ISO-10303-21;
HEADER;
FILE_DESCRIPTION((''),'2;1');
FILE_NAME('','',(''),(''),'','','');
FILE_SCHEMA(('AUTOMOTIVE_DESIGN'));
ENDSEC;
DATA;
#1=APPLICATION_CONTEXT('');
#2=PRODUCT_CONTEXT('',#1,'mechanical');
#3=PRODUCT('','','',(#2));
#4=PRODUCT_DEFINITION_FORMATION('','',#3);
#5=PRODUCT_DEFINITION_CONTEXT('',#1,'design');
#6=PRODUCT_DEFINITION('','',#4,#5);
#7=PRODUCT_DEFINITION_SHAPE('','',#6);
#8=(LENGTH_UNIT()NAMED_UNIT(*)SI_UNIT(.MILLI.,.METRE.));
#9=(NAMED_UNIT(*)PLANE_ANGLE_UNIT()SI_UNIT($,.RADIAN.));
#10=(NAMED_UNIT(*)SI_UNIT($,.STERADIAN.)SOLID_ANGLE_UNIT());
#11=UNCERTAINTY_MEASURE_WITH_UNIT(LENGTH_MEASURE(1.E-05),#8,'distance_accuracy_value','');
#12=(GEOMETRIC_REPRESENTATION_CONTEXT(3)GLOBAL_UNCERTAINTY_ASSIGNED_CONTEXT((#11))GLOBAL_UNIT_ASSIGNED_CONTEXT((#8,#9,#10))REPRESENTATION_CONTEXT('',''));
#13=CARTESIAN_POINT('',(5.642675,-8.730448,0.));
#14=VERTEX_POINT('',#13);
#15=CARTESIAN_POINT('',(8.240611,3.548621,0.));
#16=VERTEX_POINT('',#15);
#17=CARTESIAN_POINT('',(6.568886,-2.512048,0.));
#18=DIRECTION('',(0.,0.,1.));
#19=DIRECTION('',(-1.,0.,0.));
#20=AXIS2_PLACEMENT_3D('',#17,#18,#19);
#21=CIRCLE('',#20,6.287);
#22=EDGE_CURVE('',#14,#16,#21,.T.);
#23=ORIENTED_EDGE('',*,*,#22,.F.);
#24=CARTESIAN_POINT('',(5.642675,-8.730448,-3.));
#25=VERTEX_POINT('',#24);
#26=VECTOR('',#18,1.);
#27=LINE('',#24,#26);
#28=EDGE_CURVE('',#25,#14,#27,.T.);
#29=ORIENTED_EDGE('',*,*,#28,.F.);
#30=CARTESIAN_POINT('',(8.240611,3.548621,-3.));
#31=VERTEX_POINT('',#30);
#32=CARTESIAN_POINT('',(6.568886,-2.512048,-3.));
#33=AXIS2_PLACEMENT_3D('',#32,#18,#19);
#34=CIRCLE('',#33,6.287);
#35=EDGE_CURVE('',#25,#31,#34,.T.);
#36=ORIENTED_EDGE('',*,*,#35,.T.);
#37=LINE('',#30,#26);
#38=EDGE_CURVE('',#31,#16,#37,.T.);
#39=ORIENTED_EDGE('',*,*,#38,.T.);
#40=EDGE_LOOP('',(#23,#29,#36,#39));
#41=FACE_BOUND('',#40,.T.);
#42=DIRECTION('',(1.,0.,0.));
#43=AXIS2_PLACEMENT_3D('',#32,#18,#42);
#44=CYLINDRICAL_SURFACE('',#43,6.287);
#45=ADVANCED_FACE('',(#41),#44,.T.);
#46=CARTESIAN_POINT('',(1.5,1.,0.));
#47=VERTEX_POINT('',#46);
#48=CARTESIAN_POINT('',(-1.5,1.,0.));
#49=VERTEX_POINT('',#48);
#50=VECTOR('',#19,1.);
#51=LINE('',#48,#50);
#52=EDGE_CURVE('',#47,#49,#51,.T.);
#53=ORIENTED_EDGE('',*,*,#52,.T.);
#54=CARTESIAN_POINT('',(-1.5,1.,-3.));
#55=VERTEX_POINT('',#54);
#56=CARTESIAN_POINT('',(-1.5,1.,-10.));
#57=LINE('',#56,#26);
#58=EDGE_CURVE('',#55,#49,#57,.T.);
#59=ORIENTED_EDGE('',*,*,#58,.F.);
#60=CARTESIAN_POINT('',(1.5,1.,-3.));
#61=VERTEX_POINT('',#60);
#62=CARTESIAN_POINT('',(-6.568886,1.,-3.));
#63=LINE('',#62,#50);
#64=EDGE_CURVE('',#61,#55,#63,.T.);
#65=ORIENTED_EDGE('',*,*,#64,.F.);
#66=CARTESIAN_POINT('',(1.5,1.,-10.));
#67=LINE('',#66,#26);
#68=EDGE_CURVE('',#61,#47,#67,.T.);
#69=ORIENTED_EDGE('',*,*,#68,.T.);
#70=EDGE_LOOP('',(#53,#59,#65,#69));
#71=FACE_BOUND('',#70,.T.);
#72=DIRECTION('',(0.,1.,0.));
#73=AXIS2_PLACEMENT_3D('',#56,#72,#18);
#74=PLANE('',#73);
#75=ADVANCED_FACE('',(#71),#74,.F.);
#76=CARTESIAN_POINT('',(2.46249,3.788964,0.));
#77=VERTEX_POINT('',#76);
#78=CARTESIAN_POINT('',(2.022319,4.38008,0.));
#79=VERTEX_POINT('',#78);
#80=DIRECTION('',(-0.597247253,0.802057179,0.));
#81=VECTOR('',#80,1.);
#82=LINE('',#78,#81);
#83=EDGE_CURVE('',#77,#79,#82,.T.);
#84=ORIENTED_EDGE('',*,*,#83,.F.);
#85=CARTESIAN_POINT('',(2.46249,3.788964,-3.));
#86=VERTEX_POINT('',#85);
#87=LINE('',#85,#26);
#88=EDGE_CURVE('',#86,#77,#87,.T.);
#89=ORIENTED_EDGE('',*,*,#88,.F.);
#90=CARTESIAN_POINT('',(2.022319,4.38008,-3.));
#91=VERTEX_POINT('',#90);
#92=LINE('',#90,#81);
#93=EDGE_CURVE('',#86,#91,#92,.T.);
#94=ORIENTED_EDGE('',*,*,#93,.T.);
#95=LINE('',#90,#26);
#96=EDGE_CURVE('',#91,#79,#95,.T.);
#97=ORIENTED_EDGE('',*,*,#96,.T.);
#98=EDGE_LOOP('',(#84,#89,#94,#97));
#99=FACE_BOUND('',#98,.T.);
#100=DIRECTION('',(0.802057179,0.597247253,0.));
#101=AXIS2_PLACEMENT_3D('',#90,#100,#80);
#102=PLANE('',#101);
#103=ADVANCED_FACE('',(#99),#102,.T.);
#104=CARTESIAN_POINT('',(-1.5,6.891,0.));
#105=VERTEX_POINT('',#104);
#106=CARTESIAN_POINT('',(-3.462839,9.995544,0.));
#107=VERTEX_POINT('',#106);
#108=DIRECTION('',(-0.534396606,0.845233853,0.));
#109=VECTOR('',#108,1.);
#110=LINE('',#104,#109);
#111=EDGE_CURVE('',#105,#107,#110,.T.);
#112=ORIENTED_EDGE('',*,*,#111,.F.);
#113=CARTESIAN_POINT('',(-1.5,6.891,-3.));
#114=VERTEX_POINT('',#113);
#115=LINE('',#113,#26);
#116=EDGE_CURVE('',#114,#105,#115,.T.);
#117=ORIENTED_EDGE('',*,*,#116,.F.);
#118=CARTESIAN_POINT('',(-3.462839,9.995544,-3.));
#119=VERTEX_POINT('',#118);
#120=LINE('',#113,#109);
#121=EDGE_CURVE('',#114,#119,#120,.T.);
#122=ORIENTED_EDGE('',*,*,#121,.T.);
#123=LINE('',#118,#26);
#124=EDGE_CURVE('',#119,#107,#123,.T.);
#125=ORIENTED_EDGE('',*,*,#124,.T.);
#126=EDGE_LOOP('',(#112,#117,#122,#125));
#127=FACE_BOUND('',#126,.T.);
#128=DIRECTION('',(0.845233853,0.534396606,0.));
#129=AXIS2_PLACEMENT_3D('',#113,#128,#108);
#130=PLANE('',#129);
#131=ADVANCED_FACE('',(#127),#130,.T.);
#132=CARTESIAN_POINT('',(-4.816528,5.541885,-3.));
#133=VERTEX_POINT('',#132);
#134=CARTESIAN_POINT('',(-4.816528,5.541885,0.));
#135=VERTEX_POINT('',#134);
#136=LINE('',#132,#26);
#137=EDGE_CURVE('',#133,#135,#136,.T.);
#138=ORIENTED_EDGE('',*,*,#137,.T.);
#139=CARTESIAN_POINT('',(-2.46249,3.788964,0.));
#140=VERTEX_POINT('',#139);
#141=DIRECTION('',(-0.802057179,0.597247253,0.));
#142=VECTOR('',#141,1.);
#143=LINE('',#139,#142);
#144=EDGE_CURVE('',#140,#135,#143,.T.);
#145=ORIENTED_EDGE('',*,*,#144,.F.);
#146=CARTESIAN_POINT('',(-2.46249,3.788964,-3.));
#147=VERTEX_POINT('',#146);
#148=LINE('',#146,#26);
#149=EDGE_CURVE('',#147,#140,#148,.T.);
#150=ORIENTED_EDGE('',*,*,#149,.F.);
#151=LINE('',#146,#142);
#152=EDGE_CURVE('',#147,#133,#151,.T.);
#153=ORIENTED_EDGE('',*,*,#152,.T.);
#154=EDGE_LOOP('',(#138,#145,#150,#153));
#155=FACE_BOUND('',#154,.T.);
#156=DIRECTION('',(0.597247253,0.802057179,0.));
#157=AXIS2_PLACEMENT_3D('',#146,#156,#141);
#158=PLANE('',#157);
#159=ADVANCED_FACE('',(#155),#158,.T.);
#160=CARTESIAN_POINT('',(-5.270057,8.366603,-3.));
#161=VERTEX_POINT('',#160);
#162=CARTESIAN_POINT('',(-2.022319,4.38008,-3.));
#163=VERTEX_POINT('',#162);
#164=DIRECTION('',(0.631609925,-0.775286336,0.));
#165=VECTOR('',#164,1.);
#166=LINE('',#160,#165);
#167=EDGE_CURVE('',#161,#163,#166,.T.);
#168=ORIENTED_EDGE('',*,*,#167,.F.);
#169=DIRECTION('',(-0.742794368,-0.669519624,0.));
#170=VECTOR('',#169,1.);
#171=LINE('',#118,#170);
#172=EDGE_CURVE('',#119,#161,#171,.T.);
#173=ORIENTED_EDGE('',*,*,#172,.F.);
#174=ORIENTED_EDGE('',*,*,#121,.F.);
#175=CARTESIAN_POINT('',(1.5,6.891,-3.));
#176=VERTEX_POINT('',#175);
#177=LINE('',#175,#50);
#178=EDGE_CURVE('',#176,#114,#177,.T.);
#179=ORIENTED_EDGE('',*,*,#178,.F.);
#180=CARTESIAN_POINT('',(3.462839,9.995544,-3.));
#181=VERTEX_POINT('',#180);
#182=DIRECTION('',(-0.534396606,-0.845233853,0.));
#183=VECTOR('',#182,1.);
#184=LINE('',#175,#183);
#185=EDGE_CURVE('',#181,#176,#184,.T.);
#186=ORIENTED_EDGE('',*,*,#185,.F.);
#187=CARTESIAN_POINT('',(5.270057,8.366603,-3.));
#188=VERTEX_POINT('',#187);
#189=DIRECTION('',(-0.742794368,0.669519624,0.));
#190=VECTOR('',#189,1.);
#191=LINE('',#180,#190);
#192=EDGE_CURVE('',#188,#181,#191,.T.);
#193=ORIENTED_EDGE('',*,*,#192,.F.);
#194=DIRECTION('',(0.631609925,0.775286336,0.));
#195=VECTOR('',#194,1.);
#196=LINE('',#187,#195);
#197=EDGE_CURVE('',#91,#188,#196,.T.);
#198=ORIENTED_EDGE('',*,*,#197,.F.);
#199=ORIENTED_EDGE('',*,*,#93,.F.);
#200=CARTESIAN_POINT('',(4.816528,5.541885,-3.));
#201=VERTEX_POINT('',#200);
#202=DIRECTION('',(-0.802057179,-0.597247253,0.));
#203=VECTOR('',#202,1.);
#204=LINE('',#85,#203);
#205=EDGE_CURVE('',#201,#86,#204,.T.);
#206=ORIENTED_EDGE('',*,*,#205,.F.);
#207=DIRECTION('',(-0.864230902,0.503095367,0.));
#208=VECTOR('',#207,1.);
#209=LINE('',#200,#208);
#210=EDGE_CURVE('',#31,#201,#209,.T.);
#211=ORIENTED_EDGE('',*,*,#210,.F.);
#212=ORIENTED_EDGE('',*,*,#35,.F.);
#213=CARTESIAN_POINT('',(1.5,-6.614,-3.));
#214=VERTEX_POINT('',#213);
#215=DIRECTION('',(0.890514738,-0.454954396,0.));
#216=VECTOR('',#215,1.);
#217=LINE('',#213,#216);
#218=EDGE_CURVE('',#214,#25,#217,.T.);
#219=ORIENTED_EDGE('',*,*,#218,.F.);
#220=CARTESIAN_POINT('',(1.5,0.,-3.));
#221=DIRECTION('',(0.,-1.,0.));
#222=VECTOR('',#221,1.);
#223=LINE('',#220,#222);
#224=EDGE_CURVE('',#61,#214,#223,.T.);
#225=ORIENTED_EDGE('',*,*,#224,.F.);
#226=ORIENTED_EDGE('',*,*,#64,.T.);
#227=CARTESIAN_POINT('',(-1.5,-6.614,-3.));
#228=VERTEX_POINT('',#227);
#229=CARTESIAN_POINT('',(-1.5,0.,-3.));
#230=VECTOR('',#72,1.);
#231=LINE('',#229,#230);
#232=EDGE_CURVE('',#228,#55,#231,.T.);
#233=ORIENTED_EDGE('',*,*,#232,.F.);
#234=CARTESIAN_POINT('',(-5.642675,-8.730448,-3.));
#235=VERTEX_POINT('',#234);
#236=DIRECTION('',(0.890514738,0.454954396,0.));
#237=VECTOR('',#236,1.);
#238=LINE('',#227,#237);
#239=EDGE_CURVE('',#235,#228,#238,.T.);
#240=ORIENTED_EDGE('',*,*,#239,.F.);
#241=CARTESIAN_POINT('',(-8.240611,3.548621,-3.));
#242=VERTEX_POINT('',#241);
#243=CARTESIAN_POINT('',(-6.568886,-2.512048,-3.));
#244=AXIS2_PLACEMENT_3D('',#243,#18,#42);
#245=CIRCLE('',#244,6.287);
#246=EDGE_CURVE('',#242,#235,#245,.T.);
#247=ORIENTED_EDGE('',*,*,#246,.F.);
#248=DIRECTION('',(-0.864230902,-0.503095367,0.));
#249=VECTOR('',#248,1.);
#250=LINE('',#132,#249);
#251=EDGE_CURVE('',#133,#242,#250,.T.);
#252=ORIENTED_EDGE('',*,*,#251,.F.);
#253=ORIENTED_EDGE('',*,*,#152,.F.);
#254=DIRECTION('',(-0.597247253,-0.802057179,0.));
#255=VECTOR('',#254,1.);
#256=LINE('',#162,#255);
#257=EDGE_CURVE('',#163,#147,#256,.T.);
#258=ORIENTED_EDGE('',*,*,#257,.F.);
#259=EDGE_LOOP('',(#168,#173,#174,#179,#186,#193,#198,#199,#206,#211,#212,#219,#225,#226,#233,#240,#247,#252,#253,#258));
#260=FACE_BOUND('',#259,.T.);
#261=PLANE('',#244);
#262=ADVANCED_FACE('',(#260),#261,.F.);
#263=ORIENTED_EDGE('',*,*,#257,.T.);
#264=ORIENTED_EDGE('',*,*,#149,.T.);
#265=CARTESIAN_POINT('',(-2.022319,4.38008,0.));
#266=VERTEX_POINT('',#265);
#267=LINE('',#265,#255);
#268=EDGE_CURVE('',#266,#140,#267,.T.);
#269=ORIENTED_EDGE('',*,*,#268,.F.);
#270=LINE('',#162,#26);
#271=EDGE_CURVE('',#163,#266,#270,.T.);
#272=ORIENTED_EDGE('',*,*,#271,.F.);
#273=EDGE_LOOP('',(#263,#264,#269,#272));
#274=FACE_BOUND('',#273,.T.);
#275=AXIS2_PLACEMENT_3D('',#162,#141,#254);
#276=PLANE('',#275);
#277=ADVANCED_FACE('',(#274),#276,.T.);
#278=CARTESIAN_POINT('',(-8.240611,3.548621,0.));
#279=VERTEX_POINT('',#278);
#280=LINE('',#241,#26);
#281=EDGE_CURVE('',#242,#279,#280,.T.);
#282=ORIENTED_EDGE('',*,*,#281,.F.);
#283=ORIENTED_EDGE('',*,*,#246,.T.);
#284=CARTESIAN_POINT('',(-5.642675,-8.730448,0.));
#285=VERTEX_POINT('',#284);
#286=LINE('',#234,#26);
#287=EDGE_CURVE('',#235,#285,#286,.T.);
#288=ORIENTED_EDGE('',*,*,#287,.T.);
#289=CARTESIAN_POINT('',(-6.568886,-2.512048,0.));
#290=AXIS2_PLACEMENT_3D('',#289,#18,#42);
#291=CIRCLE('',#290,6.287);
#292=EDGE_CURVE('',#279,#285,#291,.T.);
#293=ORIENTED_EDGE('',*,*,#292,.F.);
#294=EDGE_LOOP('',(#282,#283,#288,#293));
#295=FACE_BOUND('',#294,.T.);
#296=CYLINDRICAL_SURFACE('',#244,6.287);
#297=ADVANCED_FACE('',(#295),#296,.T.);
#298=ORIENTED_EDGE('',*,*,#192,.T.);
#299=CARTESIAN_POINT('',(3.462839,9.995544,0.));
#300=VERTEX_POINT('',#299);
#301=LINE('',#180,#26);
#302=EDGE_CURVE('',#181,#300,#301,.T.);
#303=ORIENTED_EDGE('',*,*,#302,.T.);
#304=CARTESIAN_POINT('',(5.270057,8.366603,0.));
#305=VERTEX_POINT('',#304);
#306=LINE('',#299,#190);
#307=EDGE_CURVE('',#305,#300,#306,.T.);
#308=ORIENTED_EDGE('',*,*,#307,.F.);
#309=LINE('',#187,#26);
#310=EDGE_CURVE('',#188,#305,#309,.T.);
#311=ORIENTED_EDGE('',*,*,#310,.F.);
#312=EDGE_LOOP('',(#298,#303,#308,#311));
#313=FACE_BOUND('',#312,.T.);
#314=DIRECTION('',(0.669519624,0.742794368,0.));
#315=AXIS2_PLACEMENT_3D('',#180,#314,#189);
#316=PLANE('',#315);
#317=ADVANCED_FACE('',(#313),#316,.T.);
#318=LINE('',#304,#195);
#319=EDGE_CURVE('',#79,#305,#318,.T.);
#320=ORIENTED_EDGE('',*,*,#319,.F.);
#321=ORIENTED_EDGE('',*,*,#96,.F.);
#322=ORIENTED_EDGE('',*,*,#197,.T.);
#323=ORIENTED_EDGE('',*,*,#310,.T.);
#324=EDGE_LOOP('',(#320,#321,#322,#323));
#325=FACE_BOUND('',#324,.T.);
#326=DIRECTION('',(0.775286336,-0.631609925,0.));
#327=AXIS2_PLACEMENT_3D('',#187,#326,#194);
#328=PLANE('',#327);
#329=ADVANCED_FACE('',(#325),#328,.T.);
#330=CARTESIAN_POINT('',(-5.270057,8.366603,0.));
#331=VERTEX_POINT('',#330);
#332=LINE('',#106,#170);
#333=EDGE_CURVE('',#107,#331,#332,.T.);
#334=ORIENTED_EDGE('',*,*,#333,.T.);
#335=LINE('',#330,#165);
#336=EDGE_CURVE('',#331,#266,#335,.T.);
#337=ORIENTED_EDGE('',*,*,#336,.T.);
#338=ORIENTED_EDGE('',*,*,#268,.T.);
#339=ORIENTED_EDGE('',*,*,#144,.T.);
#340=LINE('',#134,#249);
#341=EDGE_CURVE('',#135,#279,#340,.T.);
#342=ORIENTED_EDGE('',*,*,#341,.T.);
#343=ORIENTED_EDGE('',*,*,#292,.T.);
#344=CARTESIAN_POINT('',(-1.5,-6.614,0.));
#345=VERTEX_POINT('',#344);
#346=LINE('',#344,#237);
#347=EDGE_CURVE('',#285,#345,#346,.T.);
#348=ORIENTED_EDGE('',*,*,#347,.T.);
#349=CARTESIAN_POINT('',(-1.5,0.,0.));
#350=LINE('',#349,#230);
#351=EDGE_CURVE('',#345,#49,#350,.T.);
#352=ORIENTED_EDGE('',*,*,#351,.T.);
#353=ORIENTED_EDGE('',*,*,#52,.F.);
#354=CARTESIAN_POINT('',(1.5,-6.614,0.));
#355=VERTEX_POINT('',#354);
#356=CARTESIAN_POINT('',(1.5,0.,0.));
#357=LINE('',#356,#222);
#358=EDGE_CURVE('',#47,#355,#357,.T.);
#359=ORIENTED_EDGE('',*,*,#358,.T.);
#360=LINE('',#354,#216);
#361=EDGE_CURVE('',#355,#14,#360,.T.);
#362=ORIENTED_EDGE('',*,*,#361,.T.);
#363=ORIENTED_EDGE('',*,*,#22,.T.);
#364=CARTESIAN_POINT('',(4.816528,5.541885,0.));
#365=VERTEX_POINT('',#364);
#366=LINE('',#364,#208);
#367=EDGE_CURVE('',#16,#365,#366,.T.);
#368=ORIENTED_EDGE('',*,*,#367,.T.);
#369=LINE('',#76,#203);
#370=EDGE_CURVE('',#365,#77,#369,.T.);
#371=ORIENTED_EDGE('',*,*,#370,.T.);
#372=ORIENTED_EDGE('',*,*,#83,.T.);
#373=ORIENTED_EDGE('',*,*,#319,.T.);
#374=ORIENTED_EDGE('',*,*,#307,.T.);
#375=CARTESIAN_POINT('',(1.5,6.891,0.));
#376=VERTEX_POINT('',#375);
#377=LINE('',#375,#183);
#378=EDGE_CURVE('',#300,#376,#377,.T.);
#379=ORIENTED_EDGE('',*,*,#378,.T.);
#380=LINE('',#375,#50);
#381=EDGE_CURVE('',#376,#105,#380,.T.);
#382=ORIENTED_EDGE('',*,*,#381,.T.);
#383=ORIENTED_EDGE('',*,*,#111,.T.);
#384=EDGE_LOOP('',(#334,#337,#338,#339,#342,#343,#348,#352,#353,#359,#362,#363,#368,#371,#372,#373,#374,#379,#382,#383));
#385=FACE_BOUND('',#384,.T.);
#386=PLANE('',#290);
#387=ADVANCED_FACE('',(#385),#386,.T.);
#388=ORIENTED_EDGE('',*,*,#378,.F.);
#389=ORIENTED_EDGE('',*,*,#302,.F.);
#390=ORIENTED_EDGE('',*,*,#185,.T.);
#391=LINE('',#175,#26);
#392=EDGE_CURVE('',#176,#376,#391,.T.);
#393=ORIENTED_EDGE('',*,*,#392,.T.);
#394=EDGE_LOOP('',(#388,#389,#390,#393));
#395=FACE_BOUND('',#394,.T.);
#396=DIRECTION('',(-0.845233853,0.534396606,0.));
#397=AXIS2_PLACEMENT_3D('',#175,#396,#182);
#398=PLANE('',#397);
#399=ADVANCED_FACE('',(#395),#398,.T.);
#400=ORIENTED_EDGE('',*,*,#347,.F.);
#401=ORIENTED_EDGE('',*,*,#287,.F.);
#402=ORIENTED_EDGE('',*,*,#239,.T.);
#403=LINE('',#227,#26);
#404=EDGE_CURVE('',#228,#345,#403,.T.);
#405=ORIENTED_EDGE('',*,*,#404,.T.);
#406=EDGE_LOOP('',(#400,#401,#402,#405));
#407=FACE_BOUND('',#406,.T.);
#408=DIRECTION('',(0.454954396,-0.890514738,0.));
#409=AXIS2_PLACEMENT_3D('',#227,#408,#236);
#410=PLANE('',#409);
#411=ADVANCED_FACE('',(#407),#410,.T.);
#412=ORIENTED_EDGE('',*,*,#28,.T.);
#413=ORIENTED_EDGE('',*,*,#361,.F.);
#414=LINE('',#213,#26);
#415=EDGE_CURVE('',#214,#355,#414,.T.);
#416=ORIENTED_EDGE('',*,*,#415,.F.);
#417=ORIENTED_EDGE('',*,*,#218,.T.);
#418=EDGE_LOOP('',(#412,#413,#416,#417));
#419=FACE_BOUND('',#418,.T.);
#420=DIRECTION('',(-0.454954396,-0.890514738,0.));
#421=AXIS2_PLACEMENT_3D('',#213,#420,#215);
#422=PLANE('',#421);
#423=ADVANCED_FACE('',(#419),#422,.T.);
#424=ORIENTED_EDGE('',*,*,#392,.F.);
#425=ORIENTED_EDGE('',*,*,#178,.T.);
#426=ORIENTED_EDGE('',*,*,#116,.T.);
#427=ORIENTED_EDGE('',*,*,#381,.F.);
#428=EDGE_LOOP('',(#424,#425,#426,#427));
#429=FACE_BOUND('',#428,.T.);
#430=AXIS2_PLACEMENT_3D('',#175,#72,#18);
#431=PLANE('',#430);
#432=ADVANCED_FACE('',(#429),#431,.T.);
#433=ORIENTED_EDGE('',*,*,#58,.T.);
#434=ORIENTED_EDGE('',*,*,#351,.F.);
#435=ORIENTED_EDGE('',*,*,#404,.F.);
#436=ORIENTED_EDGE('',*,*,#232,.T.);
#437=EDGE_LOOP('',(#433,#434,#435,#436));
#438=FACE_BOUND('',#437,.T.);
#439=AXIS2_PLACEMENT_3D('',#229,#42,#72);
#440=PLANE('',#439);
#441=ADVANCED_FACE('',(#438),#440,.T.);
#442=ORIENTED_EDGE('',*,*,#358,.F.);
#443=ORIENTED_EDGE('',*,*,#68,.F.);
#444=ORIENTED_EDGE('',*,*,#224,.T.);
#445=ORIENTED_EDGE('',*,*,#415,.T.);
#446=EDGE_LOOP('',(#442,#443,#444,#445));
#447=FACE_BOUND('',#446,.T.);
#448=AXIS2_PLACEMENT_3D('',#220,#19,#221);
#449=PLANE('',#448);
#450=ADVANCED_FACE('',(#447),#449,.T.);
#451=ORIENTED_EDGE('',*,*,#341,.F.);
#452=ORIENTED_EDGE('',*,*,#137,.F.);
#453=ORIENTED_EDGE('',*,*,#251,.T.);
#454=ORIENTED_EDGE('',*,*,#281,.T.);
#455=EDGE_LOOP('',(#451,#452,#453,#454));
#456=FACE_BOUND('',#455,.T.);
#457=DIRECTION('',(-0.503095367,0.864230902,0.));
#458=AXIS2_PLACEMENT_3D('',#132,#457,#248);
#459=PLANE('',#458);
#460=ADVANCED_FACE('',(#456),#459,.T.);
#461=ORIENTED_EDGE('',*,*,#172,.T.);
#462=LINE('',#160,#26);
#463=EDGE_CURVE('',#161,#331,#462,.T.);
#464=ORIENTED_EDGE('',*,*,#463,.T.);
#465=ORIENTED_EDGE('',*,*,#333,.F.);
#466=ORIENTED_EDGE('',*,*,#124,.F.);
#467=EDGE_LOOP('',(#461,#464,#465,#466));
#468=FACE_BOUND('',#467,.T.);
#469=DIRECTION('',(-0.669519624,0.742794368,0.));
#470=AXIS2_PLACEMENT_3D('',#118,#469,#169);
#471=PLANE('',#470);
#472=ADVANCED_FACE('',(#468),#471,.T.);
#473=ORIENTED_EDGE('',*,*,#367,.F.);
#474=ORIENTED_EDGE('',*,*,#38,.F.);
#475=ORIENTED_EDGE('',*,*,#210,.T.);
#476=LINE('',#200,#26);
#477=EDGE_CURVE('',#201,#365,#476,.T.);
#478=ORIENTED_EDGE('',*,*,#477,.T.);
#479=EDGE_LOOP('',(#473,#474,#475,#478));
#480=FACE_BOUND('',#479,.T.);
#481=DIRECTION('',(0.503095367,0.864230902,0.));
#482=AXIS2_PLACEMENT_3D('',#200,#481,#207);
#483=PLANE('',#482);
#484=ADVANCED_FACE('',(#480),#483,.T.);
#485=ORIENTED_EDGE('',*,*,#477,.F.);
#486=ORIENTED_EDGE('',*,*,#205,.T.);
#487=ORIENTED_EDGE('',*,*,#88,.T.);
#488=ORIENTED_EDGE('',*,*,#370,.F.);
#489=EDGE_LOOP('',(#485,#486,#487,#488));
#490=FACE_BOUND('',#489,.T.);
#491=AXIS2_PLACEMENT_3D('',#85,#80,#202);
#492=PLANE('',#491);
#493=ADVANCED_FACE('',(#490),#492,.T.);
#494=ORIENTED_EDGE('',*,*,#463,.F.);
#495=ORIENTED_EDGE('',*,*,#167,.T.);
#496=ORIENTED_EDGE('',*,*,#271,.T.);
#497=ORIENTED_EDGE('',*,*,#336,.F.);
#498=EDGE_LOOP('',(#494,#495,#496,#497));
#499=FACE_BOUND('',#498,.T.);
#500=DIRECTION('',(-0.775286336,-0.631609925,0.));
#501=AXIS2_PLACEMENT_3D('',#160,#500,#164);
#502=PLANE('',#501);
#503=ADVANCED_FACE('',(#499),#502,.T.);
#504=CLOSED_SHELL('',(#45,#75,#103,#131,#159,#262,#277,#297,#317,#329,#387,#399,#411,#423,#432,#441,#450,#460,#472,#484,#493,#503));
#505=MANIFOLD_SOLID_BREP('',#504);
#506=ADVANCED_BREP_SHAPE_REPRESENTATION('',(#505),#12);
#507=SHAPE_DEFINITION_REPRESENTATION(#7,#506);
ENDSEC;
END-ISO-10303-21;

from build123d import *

# Parameters (mm, degrees)
BOSS_EXTRUDE1_DEPTH = 3
SKETCH2_W           = 3
SKETCH2_H           = 1
CUT_EXTRUDE1_DEPTH  = 10


with BuildPart() as part:
    # Sketch1 → Boss-Extrude1 (new body)
    with BuildSketch(Plane.XY):
        with BuildLine():
            Line((1.5, 6.891), (-1.5, 6.891))
            Line((-1.5, 6.891), (-3.462838736, 9.995543944))
            Line((-3.462838736, 9.995543944), (-5.270057432, 8.366602698))
            Line((-5.270057432, 8.366602698), (-2.022319198, 4.380080358))
            Line((-2.022319198, 4.380080358), (-2.462490424, 3.788964217))
            Line((-2.462490424, 3.788964217), (-4.816528245, 5.541884903))
            Line((-4.816528245, 5.541884903), (-8.240611079, 3.54862106))
            ThreePointArc((-8.240611079, 3.54862106), (-12.719726234, -3.813407871), (-5.642674559, -8.730447848))
            Line((-5.642674559, -8.730447848), (-1.5, -6.614))
            Line((-1.5, -6.614), (-1.5, 0))
            Line((-1.5, 0), (1.5, 0))
            Line((1.5, 0), (1.5, -6.614))
            Line((1.5, -6.614), (5.642674559, -8.730447848))
            ThreePointArc((5.642674559, -8.730447848), (12.719726234, -3.813407871), (8.240611079, 3.54862106))
            Line((8.240611079, 3.54862106), (4.816528245, 5.541884903))
            Line((4.816528245, 5.541884903), (2.462490424, 3.788964217))
            Line((2.462490424, 3.788964217), (2.022319198, 4.380080358))
            Line((2.022319198, 4.380080358), (5.270057432, 8.366602698))
            Line((5.270057432, 8.366602698), (3.462838736, 9.995543944))
            Line((3.462838736, 9.995543944), (1.5, 6.891))
        make_face()
    extrude(amount=-BOSS_EXTRUDE1_DEPTH)

    # Sketch2 → Cut-Extrude1 (cut)
    with BuildSketch(Plane.XY):
        with Locations((0, 0.5)):
            Rectangle(SKETCH2_W, SKETCH2_H)
    extrude(amount=-CUT_EXTRUDE1_DEPTH, mode=Mode.SUBTRACT)


solid = part.part
